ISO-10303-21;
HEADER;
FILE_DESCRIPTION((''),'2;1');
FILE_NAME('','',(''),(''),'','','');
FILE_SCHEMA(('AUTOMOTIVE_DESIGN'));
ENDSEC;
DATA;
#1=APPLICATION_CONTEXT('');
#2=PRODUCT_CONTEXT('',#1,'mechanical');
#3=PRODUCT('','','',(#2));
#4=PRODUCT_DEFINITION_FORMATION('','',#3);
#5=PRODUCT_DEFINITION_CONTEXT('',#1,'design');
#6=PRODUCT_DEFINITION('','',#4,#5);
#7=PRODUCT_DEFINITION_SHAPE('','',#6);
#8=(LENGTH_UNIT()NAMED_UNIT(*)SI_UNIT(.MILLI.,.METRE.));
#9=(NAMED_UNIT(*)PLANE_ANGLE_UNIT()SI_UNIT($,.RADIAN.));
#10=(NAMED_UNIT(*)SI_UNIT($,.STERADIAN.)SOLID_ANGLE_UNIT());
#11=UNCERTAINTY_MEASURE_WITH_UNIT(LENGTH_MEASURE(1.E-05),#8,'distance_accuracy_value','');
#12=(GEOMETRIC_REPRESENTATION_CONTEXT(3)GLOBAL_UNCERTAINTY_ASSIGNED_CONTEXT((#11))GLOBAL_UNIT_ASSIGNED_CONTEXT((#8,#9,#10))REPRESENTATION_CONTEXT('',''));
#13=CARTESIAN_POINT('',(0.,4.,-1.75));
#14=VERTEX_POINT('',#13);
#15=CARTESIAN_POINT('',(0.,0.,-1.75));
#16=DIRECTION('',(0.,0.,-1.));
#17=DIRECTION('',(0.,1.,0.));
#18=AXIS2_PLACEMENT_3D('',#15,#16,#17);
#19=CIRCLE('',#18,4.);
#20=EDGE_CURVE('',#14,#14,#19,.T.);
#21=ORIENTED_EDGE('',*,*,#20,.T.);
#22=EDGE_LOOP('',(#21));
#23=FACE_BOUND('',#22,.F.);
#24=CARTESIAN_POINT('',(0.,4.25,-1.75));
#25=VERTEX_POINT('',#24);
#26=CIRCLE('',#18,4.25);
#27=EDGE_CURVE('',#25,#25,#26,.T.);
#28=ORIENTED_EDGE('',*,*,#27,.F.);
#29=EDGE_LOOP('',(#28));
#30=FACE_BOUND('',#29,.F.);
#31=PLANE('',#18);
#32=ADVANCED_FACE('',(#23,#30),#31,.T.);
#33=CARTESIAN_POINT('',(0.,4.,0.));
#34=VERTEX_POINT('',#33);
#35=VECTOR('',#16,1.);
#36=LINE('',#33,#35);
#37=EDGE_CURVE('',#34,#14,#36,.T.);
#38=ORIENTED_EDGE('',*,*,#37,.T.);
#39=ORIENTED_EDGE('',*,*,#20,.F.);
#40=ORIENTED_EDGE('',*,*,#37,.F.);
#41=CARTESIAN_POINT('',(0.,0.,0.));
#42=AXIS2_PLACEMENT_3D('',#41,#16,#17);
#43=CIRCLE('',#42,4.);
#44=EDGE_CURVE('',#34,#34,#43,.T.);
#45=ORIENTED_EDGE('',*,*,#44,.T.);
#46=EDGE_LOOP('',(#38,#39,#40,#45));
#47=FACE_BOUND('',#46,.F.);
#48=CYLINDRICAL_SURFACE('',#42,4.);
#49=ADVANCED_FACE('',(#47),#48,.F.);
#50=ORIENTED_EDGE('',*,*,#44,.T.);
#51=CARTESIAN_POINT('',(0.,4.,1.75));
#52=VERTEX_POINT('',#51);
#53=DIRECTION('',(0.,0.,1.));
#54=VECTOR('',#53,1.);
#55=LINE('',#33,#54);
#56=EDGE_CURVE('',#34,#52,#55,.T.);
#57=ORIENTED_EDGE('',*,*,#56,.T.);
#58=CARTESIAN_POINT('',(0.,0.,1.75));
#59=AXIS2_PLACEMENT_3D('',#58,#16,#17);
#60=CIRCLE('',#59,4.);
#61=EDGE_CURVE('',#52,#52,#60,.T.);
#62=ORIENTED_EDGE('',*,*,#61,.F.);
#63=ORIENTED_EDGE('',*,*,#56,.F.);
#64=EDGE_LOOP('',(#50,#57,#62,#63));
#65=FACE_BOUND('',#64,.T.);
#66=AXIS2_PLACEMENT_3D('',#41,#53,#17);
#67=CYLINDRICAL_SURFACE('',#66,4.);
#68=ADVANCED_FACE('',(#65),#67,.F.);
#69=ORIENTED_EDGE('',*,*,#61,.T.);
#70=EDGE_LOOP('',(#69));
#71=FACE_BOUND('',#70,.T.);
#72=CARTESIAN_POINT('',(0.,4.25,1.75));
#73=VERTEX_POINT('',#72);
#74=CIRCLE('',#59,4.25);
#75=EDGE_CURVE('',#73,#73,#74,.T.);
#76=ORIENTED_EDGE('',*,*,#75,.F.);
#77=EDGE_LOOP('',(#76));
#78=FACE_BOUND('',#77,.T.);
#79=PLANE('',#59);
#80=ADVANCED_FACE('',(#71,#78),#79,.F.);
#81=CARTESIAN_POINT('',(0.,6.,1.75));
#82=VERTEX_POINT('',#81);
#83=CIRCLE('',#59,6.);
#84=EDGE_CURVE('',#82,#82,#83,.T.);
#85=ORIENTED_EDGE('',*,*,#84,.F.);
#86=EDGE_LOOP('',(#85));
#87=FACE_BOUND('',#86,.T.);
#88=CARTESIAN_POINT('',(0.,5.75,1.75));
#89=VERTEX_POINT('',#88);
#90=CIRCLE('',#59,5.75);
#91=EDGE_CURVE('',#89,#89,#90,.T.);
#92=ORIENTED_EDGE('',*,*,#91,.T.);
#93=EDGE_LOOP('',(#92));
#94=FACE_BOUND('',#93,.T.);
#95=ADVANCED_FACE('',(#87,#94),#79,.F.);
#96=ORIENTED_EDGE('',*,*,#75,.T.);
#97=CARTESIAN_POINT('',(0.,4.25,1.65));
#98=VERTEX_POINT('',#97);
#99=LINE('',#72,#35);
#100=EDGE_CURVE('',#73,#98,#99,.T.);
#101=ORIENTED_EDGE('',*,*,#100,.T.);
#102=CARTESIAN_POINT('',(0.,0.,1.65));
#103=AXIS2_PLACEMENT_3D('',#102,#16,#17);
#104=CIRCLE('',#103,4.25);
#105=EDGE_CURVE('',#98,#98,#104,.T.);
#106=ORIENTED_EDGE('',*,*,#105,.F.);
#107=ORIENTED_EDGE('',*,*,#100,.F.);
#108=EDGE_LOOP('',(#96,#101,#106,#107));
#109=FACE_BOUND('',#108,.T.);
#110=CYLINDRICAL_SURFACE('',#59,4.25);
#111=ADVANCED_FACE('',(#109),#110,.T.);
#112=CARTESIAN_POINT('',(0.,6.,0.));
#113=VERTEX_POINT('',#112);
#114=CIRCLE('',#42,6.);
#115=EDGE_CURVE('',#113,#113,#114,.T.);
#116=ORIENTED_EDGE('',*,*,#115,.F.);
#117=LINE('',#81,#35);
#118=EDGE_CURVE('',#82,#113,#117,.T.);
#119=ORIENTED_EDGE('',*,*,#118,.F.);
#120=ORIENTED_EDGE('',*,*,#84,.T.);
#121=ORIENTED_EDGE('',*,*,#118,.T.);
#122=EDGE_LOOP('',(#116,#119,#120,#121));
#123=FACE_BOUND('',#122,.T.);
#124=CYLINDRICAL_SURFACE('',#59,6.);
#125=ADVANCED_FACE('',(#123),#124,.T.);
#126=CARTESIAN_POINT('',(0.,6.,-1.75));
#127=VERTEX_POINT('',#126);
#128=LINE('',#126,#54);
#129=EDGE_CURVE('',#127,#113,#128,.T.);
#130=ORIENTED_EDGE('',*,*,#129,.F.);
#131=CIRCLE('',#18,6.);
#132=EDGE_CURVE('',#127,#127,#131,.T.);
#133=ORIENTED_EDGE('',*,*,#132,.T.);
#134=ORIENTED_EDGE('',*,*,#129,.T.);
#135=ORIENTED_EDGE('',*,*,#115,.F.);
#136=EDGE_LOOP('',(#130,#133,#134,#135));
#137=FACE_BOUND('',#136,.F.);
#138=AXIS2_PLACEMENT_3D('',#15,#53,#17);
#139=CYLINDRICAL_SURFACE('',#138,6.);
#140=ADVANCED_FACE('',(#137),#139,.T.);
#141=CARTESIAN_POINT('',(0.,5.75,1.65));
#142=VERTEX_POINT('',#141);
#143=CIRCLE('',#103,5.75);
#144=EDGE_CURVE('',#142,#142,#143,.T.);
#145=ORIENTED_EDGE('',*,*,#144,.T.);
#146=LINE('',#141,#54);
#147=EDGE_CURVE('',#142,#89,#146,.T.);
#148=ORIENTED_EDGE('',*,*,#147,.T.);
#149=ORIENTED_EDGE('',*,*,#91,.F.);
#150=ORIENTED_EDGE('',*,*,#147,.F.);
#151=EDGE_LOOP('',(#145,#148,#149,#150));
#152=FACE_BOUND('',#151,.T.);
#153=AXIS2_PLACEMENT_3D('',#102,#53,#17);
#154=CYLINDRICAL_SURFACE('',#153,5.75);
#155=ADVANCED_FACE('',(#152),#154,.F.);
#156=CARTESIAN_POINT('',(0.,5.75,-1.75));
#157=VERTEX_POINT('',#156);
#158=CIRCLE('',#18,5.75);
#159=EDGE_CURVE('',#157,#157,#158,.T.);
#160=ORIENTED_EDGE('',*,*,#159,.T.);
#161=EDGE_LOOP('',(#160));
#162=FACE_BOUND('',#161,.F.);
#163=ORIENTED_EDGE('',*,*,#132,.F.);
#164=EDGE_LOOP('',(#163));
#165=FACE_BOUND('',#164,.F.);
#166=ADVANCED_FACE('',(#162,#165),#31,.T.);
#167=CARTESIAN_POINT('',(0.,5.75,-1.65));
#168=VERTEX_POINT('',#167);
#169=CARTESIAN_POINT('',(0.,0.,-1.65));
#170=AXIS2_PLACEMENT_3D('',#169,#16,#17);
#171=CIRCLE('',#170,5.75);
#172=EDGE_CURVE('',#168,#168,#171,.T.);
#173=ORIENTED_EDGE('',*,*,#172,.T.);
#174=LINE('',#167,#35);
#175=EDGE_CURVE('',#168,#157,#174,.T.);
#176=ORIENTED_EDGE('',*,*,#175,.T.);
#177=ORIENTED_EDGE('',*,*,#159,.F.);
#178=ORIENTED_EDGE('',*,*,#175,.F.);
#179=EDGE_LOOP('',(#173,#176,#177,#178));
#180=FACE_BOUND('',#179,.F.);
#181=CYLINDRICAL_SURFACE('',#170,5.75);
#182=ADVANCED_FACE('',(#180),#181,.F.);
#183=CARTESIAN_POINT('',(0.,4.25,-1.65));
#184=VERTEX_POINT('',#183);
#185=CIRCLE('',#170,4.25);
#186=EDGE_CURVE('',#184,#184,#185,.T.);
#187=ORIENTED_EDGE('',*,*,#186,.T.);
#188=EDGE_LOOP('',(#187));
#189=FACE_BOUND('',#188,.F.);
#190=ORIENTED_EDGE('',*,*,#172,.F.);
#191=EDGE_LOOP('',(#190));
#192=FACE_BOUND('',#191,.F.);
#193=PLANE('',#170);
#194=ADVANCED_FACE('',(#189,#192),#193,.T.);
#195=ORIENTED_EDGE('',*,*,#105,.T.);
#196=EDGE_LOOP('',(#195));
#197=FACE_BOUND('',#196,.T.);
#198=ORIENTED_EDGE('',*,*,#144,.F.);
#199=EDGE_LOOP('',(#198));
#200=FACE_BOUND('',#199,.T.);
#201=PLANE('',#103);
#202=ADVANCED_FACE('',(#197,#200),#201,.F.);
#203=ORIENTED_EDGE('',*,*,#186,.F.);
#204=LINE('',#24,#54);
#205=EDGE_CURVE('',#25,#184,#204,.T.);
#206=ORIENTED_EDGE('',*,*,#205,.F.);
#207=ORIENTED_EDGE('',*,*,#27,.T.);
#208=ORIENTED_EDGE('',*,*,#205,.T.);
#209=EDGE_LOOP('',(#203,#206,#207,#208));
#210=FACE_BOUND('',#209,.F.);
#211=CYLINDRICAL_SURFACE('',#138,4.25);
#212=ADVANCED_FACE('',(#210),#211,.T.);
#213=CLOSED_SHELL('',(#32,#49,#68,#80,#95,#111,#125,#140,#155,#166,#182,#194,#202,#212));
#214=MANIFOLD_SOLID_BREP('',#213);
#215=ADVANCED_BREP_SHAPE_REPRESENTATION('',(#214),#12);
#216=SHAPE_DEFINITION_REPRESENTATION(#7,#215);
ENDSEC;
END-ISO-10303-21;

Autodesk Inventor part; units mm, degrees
ref_plane "YZ Plane" through (0, 0, 0) normal (1, 0, 0) x (0, 1, 0)
ref_plane "XZ Plane" through (0, 0, 0) normal (0, 1, 0) x (-1, 0, 0)
ref_plane "XY Plane" through (0, 0, 0) normal (0, 0, 1) x (1, 0, 0)
sketch "Sketch1" plane through (0, 0, 0) normal (1, 0, 0) x (0, 1, 0)
  line L0 (0, 0) -> (0, -2.1848) construction
  line L1 (0, 0) -> (4, 0) construction
  line L2 (4, 0) -> (4, -1.75)
  line L3 (4, -1.75) -> (4.25, -1.75)
  line L4 (4.25, -1.75) -> (4.25, -1.65)
  line L5 (4.25, -1.65) -> (5.75, -1.65)
  line L6 (5.75, -1.65) -> (5.75, -1.75)
  line L7 (5.75, -1.75) -> (6, -1.75)
  line L8 (6, -1.75) -> (6, 0)
  line L9 (6, 0) -> (4, 0) construction
  line L10 (4, 0) -> (4, 1.75)
  line L11 (4, 1.75) -> (4.25, 1.75)
  line L12 (4.25, 1.75) -> (4.25, 1.65)
  line L13 (4.25, 1.65) -> (5.75, 1.65)
  line L14 (5.75, 1.65) -> (5.75, 1.75)
  line L15 (5.75, 1.75) -> (6, 1.75)
  line L16 (6, 1.75) -> (6, 0)
  dimension "d0" = 4
  dimension "d1" = 6
  dimension "d2" = 0.1
  dimension "d3" = 1.5
  dimension "d6" = 3.5
revolve "Revolution1" add sketch "Sketch1" angle 360 about axis through (0, 0, 0) along (0, 0, -1)
properties part number "MR128 bearing"
